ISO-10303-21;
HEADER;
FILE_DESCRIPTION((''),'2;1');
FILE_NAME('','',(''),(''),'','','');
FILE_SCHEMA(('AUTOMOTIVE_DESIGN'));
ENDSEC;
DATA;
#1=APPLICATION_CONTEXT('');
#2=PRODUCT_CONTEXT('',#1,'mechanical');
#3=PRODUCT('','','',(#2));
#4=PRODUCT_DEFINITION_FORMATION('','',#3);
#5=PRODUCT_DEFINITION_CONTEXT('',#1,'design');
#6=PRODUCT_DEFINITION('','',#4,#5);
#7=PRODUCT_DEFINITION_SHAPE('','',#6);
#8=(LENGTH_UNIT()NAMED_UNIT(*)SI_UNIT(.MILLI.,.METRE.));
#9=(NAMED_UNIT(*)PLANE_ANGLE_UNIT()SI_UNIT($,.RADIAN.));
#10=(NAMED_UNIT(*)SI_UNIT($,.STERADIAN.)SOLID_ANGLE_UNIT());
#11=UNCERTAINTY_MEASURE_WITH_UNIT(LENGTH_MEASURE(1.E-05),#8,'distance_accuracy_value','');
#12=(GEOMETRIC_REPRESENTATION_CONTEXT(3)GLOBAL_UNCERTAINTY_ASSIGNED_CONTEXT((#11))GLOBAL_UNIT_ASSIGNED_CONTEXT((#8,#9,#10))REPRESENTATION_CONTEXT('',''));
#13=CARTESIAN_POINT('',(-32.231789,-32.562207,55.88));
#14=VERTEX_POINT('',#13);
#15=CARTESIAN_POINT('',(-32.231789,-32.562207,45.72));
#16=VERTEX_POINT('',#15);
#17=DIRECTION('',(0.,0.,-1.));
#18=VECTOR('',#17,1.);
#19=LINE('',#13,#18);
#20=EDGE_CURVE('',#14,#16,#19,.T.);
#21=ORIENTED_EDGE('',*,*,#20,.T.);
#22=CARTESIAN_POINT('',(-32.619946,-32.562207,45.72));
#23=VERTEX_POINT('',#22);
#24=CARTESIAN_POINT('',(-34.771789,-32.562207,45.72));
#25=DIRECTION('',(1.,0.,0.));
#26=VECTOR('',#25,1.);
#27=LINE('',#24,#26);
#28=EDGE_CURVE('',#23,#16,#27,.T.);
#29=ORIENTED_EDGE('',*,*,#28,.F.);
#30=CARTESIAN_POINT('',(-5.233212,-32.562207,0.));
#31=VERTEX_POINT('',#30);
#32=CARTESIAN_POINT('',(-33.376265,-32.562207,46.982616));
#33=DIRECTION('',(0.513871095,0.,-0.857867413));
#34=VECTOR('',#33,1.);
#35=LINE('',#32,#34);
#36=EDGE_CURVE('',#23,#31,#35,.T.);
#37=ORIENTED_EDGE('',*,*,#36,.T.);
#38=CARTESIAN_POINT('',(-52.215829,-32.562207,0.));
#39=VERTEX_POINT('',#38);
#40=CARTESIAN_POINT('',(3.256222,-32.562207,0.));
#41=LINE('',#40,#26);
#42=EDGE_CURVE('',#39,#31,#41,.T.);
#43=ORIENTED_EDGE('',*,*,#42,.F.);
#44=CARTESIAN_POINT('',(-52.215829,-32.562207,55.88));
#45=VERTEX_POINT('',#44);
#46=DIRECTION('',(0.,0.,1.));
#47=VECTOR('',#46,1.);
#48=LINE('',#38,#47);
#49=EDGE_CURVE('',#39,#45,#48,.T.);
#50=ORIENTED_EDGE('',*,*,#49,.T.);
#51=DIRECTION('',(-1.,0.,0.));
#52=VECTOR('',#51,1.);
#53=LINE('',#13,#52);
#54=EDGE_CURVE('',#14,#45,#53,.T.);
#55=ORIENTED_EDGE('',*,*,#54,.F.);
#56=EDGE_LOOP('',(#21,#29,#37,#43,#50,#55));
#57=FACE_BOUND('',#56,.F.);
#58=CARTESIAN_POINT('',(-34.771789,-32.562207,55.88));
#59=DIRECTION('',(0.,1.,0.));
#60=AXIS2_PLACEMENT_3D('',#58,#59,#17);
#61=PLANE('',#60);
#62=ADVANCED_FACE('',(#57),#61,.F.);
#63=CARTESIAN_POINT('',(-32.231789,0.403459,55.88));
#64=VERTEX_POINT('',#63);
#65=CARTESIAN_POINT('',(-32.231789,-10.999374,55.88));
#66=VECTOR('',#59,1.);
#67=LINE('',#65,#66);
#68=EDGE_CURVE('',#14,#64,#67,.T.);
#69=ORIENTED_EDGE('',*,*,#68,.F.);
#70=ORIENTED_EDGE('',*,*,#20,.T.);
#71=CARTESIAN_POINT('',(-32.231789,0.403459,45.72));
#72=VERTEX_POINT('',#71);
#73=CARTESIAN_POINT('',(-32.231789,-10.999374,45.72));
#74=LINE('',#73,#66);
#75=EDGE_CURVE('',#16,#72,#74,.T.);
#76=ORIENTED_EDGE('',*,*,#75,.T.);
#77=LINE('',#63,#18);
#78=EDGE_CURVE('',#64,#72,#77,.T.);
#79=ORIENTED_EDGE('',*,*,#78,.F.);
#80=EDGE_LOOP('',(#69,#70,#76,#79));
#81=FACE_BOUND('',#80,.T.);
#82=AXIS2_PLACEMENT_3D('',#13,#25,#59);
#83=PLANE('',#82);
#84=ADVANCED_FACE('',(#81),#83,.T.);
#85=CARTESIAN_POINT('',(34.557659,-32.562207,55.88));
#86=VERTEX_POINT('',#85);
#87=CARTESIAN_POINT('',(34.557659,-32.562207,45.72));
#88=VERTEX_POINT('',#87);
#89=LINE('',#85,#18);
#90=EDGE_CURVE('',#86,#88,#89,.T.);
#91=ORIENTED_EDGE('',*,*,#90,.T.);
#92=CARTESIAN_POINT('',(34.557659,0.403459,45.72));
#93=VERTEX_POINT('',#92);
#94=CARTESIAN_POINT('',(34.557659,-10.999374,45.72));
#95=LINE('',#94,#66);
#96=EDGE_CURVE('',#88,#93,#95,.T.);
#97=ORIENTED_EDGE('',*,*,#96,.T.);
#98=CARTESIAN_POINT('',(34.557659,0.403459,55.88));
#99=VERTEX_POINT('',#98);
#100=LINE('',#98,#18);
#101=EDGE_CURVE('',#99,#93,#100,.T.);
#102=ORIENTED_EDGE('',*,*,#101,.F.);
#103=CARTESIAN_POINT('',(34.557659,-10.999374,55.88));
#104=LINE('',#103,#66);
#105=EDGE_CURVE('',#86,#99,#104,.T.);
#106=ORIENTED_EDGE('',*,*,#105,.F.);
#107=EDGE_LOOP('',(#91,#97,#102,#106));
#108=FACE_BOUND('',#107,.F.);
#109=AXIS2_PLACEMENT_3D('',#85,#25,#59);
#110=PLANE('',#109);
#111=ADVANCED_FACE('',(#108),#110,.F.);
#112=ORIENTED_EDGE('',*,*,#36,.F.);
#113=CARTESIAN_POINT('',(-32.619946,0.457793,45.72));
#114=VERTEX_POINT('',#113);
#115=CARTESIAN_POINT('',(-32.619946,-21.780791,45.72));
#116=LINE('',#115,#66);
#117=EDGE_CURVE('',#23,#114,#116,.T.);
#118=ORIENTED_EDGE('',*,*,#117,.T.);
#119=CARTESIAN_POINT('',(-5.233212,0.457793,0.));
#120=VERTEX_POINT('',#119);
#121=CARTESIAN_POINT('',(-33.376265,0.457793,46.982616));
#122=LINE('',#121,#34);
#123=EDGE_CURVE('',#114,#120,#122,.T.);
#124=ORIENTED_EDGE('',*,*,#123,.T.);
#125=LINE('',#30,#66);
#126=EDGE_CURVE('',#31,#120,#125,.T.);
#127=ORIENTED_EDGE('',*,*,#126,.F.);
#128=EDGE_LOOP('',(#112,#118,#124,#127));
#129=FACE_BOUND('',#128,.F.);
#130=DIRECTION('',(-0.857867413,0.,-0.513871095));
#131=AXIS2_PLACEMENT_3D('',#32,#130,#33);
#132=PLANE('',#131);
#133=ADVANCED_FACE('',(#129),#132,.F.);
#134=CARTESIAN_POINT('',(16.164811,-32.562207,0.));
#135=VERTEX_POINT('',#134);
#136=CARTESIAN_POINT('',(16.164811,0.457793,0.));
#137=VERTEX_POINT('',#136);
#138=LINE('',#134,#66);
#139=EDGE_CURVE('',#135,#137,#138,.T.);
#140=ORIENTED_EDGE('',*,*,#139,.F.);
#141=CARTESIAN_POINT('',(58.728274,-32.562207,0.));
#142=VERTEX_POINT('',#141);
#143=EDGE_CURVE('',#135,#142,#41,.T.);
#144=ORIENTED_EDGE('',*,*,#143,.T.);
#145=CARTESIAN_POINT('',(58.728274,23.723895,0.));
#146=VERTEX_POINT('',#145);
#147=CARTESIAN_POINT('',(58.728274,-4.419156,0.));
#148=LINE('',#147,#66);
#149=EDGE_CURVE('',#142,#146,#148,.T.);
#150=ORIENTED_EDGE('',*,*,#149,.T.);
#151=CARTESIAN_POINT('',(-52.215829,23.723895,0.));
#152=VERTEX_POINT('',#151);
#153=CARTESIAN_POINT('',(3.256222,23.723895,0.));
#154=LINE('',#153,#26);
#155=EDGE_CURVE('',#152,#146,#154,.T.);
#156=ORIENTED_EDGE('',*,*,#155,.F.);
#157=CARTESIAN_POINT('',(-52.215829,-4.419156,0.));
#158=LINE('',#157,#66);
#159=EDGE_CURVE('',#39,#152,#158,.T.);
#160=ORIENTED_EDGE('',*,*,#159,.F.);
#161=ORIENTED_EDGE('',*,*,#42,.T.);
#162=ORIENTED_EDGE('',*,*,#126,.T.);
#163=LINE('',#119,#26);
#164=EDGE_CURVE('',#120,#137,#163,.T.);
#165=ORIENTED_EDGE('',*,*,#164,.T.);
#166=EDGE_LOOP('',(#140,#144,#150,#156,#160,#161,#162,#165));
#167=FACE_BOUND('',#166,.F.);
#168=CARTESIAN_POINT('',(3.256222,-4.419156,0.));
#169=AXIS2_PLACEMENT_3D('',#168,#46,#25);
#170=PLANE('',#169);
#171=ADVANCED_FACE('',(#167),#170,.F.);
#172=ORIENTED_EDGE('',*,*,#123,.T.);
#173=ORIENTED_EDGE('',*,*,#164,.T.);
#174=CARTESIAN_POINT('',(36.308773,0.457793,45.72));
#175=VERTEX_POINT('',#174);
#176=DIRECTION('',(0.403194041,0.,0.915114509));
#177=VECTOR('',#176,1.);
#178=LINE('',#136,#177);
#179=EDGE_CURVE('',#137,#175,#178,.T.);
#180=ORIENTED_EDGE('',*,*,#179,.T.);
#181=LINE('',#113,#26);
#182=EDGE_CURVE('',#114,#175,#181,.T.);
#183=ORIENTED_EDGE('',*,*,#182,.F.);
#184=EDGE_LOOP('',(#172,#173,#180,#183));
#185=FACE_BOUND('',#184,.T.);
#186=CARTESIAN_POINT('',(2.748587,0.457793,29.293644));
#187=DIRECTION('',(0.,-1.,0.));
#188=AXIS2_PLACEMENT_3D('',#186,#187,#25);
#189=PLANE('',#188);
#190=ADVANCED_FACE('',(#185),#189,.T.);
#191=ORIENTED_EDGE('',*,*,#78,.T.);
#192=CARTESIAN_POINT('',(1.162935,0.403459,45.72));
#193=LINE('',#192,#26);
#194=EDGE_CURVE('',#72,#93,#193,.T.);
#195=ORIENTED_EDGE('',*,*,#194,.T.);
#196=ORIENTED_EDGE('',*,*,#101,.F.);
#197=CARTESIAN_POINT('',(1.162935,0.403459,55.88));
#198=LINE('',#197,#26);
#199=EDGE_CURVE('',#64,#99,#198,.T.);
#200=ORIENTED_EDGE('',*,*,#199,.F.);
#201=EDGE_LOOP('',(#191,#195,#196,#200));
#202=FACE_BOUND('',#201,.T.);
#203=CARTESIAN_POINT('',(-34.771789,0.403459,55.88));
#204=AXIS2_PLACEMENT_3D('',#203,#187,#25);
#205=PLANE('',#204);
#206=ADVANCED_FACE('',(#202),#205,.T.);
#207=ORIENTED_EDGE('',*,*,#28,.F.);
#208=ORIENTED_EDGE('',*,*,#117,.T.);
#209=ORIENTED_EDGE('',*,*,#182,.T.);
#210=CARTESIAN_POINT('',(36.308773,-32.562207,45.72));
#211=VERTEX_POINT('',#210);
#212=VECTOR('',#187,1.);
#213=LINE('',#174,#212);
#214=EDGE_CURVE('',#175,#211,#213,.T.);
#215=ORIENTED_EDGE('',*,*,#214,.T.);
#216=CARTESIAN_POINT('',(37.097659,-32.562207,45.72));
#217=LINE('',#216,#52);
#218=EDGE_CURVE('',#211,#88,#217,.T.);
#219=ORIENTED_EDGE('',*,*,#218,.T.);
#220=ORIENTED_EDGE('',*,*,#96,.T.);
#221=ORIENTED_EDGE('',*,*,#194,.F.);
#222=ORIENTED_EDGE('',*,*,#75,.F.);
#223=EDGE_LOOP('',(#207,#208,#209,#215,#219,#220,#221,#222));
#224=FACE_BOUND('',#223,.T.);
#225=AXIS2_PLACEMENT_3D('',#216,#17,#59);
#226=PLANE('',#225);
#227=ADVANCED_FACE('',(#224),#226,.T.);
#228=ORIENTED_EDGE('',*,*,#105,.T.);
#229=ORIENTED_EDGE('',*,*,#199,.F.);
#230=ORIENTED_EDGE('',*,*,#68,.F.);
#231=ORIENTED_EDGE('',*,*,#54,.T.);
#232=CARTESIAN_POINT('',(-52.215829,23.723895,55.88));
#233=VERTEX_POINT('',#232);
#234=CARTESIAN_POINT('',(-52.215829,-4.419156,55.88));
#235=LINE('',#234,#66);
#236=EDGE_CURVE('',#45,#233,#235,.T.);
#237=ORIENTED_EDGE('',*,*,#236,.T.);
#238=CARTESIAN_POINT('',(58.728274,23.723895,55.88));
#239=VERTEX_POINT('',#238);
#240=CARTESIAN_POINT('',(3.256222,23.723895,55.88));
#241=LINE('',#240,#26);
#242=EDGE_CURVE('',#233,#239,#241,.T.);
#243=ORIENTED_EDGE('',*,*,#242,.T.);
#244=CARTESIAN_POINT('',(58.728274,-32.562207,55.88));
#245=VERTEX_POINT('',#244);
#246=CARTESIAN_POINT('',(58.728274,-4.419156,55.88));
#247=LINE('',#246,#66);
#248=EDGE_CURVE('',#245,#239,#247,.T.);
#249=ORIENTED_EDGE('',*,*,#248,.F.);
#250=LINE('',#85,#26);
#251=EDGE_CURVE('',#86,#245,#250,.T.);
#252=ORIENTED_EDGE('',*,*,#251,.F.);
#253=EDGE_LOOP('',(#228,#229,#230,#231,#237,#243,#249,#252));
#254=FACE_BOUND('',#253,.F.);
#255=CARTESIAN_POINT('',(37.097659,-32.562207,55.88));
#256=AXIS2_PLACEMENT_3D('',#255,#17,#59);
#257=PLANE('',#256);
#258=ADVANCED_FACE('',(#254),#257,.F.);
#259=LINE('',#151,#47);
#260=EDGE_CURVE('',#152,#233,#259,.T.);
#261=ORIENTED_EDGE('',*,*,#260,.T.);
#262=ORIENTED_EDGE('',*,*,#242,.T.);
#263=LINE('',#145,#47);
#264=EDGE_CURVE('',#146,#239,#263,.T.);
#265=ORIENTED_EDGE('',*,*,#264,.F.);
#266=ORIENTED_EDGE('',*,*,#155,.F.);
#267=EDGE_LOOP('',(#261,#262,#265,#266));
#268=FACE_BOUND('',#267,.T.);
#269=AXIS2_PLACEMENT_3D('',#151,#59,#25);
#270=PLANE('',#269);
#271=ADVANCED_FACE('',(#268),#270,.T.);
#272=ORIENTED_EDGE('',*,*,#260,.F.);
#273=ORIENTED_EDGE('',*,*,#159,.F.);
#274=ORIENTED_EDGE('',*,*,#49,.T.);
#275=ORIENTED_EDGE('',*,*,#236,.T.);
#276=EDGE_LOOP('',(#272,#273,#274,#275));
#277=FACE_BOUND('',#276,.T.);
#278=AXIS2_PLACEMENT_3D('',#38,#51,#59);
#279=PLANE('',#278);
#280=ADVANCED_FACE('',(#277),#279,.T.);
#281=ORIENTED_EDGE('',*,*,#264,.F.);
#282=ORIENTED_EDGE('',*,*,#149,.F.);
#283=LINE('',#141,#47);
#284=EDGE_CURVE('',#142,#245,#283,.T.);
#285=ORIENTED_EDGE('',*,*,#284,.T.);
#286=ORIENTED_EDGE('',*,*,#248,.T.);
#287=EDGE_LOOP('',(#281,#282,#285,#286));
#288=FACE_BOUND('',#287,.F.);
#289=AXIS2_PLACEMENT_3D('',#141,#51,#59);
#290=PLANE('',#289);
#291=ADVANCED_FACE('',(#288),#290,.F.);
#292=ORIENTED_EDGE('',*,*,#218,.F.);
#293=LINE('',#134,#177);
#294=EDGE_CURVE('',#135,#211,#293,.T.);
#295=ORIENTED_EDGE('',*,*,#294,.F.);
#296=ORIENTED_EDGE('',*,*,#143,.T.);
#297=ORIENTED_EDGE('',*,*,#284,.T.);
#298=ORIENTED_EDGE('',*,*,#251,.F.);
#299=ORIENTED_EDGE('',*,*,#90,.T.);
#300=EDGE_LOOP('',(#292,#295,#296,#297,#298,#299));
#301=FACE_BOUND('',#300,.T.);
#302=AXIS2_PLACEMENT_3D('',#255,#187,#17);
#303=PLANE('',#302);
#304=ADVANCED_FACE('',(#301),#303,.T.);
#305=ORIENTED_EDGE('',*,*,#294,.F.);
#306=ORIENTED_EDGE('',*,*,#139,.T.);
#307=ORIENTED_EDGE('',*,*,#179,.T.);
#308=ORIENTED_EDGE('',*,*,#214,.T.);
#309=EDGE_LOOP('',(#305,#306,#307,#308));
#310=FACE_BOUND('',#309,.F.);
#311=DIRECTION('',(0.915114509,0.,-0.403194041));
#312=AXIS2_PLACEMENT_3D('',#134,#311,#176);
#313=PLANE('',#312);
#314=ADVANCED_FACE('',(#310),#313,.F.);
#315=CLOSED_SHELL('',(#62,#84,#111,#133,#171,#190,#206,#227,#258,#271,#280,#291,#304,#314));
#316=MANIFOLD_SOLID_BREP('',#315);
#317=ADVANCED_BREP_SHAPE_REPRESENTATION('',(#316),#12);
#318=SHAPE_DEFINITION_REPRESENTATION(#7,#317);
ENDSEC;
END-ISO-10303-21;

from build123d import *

# Parameters (mm, degrees)
F0_W     = 110.9441034496
F0_H     = 56.2861021608
F1_DEPTH = 55.88
F3_DEPTH = 33.02
F4_W     = 71.8694478273
F4_H     = 43.125666678
F5_DEPTH = 10.16
F6_DEPTH = 2.54
F7_DEPTH = 10.16
F8_DEPTH = 2.54


with BuildPart() as f1:
    # F0 (on Top) → F1 (new body)
    with BuildSketch(Plane.XY):
        with Locations((3.2562222332, -4.4191563502)):
            Rectangle(F0_W, F0_H)
    extrude(amount=F1_DEPTH)

    # F2 (on face) → F3 (cut)
    with BuildSketch(Plane.XZ.offset(32.5622074306)):
        Polygon((36.8650741875, 46.9826161861), (-33.3762653172, 46.9826161861), (-5.2332119085, 0), (16.1648113281, 0), align=None)
    extrude(amount=-F3_DEPTH, mode=Mode.SUBTRACT)

    # F4 (on face) → F5 (cut)
    with BuildSketch(Plane.XY.offset(55.88)):
        with Locations((1.1629350483, -10.9993740916)):
            Rectangle(F4_W, F4_H)
    extrude(amount=-F5_DEPTH, mode=Mode.SUBTRACT)

    # F6 (add): a face of the model
    f6_faces = [f1.faces().sort_by_distance(p)[0] for p in [
        (-34.7717888653, -10.9993740916, 50.8),
    ]]
    extrude(f6_faces, amount=F6_DEPTH)

    # F7 (add): a face of the model
    f7_faces = [f1.faces().sort_by_distance(p)[0] for p in [
        (2.4329350483, 10.5634592474, 50.8),
    ]]
    extrude(f7_faces, amount=F7_DEPTH)

    # F8 (add): a face of the model
    f8_faces = [f1.faces().sort_by_distance(p)[0] for p in [
        (37.097658962, -16.0793740916, 50.8),
    ]]
    extrude(f8_faces, amount=F8_DEPTH)


solid = f1.part
